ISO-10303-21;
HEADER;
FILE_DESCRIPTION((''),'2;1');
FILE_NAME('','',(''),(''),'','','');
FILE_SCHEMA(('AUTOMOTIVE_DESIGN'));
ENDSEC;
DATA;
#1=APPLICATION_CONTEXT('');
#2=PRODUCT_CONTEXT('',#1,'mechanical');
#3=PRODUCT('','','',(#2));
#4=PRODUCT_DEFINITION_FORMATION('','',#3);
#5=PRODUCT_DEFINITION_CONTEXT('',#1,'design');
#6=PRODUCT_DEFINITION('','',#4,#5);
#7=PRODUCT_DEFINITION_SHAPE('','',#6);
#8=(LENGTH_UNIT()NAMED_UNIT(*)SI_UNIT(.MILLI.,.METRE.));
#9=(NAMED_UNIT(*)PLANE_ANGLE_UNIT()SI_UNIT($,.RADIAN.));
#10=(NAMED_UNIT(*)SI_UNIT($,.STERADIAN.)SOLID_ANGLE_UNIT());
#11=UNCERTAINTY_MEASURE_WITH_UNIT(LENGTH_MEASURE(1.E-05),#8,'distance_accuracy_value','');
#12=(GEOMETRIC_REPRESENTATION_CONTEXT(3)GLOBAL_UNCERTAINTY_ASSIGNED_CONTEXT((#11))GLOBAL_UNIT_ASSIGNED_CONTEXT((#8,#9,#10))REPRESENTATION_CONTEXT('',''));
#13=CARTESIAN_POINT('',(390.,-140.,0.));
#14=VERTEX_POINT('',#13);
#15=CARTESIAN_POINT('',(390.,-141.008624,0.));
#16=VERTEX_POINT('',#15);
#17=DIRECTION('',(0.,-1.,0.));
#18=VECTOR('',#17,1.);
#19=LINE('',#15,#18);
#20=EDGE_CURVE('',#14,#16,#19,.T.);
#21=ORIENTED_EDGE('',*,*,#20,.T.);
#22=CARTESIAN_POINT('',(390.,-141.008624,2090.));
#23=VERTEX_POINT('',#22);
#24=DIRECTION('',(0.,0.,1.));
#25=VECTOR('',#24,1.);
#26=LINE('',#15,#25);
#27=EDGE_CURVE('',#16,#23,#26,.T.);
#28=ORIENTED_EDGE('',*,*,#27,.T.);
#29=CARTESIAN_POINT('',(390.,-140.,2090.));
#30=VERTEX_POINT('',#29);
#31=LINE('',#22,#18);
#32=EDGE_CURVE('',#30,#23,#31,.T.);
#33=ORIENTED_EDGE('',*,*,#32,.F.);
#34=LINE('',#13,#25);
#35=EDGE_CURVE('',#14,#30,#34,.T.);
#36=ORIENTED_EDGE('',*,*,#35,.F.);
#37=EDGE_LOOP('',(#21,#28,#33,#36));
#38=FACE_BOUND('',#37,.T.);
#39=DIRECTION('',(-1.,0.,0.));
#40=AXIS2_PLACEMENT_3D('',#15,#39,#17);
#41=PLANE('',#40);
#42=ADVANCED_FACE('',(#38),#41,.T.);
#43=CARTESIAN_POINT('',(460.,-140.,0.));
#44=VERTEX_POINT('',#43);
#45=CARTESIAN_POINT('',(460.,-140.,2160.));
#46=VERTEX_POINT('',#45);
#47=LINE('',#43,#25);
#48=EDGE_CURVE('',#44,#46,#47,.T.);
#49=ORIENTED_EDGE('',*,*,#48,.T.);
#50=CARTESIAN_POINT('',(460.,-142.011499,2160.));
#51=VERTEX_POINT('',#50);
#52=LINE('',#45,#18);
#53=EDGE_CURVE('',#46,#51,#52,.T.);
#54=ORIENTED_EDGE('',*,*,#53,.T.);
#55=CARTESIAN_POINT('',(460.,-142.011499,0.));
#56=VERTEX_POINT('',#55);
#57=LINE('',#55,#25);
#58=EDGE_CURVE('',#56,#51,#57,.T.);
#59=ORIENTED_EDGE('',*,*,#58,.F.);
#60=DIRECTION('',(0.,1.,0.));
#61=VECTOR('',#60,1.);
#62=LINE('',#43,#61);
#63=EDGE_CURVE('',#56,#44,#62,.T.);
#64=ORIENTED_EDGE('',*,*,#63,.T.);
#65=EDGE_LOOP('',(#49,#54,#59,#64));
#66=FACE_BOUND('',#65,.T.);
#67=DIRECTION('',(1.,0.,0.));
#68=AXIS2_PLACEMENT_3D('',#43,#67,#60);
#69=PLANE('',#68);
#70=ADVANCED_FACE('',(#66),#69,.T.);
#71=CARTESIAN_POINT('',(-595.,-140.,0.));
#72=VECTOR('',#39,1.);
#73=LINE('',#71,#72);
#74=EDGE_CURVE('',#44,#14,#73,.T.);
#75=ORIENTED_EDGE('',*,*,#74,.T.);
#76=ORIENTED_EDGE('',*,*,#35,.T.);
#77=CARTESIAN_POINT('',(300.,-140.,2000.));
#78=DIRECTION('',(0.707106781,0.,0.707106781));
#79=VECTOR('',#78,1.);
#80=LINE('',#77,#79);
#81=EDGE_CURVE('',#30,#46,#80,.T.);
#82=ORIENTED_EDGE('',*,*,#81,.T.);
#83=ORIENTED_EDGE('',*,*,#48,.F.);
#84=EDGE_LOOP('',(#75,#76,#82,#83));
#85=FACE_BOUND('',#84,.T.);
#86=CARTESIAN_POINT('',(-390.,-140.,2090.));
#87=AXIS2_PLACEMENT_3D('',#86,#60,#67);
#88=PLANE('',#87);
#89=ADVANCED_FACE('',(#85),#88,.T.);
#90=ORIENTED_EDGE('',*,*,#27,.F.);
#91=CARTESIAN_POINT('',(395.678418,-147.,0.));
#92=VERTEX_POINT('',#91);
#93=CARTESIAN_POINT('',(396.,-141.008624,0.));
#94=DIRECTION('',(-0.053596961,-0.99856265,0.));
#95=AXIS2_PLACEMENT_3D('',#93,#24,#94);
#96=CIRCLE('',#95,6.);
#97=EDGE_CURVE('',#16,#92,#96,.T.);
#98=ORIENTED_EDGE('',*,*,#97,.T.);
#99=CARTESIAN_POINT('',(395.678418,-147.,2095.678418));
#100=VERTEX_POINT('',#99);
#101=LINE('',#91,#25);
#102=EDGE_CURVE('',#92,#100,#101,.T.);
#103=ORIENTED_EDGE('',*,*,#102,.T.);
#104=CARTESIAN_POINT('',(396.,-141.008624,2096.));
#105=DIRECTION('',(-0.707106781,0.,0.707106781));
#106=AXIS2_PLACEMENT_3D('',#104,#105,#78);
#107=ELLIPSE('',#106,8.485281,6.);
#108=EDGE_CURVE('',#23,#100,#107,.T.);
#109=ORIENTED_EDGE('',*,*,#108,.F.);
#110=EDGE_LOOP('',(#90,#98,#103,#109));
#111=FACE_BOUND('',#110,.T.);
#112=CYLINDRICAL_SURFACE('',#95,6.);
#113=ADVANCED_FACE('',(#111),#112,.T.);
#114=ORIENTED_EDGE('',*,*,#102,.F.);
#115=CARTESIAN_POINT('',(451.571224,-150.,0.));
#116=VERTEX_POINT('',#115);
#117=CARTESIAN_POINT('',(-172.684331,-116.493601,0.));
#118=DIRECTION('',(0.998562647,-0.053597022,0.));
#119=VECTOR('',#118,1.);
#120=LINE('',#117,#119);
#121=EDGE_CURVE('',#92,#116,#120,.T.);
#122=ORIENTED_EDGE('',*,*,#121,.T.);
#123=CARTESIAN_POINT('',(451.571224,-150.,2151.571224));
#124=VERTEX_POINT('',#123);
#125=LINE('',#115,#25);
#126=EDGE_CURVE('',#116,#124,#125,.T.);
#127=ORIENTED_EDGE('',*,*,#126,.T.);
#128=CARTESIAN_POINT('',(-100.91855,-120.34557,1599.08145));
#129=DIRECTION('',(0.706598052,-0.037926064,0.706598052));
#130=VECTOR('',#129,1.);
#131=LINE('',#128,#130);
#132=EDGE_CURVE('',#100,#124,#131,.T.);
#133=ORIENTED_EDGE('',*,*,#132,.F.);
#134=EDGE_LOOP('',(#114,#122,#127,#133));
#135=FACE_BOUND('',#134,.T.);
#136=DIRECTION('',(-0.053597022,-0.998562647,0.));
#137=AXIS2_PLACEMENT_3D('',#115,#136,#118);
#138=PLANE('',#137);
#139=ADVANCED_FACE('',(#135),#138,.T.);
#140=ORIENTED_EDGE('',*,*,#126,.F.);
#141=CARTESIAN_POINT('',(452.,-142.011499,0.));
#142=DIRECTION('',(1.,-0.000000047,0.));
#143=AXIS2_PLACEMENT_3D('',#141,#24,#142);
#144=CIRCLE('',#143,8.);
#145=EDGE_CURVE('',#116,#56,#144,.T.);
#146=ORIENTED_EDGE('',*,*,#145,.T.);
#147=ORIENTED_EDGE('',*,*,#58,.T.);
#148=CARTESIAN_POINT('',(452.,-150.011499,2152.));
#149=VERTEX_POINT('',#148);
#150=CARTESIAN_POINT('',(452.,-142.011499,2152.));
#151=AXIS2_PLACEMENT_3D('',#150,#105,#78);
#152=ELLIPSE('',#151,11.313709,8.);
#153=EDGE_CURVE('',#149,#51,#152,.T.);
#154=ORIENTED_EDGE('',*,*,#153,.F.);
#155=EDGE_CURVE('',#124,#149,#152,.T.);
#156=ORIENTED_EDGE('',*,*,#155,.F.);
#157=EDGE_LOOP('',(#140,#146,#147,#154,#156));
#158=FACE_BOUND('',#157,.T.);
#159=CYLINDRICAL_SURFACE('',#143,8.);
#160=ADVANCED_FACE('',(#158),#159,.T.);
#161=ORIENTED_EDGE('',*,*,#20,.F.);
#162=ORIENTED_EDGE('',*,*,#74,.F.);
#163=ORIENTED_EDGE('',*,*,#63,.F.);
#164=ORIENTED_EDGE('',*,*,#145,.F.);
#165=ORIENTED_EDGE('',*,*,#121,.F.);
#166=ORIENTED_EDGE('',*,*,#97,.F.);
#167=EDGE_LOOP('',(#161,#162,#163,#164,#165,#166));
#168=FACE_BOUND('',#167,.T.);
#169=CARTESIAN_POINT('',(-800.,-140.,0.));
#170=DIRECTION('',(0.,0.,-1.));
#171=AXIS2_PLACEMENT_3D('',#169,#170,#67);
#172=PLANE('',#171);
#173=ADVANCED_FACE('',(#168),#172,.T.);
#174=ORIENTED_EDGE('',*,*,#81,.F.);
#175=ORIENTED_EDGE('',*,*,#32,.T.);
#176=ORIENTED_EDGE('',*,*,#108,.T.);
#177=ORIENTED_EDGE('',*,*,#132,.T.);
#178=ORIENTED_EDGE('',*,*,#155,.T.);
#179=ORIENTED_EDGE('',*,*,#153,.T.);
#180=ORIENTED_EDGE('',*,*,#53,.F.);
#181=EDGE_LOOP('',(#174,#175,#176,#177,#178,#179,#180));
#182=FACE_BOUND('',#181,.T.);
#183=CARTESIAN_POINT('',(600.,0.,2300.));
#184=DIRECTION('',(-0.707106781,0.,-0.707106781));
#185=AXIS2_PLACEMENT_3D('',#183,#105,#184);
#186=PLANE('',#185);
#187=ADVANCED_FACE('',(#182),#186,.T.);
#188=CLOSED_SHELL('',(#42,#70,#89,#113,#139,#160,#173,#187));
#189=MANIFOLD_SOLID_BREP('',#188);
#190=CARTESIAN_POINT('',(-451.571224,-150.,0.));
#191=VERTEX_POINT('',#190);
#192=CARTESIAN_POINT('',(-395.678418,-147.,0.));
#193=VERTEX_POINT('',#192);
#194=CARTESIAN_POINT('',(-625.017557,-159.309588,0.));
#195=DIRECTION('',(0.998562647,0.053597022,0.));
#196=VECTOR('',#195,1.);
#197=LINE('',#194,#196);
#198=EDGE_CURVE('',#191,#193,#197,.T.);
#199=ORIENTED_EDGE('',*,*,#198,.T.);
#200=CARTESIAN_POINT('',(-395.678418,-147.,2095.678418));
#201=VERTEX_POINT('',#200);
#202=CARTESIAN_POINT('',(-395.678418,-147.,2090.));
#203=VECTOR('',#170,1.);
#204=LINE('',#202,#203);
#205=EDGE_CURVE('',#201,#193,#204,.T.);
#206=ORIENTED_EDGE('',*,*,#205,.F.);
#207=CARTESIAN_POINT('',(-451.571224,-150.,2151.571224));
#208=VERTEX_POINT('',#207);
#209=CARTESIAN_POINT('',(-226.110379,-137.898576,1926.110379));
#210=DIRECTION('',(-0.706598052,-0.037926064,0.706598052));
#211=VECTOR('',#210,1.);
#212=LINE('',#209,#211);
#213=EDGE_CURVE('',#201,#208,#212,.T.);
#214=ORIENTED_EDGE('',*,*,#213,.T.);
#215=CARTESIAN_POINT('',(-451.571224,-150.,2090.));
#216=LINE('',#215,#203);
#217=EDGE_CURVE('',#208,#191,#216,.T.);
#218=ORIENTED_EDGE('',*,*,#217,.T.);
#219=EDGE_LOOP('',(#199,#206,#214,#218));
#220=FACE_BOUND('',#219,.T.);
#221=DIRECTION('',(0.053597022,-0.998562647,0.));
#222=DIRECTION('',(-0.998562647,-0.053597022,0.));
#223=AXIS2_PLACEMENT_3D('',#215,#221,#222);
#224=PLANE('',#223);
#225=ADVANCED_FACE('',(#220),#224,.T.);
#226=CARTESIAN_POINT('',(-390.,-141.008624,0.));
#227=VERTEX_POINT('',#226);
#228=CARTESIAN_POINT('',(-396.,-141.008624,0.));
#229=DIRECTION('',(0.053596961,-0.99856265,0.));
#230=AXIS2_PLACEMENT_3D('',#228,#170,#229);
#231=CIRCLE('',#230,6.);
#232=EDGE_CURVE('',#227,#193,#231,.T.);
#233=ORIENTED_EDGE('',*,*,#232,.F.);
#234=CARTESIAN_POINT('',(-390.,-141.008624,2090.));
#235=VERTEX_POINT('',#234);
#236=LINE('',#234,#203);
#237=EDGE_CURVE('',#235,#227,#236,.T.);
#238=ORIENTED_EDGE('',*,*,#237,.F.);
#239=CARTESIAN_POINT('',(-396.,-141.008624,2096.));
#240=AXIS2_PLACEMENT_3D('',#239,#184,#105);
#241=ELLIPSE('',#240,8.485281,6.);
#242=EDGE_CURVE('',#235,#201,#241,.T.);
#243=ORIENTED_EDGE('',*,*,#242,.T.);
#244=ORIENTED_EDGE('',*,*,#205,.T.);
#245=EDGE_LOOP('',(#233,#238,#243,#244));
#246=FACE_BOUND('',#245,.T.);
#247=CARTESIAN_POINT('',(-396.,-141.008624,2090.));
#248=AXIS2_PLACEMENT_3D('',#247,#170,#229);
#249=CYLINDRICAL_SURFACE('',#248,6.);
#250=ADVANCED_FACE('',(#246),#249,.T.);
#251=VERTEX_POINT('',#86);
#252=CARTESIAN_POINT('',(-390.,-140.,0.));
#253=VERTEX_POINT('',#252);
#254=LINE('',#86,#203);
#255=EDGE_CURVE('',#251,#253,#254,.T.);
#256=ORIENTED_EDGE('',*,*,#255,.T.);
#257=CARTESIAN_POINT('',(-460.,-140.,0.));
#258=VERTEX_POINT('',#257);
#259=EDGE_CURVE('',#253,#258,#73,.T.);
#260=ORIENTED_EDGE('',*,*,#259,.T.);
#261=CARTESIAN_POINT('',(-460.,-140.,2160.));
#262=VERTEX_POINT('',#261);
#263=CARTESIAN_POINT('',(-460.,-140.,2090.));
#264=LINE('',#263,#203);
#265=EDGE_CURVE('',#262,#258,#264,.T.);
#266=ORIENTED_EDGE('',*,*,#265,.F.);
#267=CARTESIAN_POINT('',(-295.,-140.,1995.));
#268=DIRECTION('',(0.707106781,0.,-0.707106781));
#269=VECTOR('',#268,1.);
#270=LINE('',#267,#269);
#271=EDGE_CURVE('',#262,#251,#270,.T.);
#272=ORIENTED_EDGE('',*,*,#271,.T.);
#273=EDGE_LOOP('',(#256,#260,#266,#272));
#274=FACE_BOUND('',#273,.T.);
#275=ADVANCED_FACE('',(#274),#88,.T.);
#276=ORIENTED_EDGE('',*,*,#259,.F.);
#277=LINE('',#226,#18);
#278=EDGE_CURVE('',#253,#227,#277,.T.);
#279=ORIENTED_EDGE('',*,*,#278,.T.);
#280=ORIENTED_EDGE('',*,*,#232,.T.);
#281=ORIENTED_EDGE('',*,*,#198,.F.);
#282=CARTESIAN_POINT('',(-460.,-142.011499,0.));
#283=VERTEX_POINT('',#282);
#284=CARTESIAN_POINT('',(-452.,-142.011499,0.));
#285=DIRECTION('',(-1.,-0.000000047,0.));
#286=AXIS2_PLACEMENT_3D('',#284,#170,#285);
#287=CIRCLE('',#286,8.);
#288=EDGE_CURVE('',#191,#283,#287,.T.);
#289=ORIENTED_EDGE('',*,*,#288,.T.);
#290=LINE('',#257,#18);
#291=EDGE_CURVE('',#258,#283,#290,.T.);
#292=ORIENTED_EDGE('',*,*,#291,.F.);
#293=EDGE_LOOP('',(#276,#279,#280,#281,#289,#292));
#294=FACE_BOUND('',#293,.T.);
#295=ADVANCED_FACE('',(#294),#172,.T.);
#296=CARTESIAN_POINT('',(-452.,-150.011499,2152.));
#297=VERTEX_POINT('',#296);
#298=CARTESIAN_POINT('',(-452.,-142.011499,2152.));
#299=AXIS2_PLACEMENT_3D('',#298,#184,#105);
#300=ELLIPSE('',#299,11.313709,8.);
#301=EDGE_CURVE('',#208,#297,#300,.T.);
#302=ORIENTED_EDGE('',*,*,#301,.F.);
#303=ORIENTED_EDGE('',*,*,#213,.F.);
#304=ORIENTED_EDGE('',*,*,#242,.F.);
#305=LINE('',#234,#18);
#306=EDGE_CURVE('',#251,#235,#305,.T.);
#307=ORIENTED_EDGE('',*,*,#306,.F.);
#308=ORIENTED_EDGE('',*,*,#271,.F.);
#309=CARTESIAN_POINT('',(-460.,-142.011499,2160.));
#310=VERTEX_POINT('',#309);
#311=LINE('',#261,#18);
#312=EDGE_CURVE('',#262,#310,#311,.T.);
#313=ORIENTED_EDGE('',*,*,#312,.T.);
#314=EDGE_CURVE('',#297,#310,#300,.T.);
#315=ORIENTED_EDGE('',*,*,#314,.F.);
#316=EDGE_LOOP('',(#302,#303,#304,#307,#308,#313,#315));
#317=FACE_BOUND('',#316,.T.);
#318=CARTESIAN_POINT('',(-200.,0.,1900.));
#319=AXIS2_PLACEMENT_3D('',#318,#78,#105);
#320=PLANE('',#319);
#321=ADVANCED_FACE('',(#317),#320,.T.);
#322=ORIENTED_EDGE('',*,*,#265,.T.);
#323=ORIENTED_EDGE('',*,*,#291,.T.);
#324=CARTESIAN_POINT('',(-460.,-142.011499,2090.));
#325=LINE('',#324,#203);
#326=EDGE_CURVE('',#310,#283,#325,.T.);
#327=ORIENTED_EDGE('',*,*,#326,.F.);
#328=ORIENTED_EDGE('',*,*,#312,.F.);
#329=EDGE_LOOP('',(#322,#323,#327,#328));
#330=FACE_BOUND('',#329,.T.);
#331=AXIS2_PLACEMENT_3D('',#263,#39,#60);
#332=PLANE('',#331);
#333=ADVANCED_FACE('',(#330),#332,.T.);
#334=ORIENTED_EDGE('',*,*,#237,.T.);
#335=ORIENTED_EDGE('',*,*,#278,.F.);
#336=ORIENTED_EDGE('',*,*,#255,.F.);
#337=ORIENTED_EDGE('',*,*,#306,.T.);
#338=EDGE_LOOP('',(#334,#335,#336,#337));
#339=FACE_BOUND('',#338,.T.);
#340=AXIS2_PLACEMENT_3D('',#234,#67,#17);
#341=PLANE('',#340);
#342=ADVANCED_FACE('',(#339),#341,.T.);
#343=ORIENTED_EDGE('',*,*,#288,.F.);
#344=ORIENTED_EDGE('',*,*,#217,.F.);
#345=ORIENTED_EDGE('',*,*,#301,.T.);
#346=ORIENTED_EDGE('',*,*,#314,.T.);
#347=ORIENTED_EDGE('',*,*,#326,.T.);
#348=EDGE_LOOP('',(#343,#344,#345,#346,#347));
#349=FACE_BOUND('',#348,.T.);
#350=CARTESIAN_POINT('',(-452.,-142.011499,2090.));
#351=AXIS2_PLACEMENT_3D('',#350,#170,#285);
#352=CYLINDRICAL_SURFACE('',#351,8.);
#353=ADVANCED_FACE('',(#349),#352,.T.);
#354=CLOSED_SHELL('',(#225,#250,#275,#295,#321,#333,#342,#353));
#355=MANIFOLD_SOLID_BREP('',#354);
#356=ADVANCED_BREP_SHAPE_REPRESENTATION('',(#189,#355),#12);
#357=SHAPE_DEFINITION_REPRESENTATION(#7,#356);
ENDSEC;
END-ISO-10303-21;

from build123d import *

# Parameters (mm, degrees)
EXTRUDE039434_DEPTH = 500
SKETCH224_W         = 1600
SKETCH224_H         = 400
EXTRUDE039435_DEPTH = 500


with BuildPart() as extrude039434_internal_superior:
    # Sketch223 (on Sketch) → Extrude039434 (new body, symmetric)
    with BuildSketch(Plane.XZ):
        Polygon((-600, 2300), (600, 2300), (200, 1900), (-200, 1900), align=None)
    extrude(amount=EXTRUDE039434_DEPTH, both=True)


with BuildPart() as extrude039435:
    # Sketch224 (on Sketch) → Extrude039435 (new body, symmetric)
    with BuildSketch(Plane.XZ.offset(140)):
        with Locations((0, -200)):
            Rectangle(SKETCH224_W, SKETCH224_H)
    extrude(amount=EXTRUDE039435_DEPTH, both=True)


with BuildPart() as external_trim_vertical:
    # Sweep011: sweep along a path in Sketch194
    with BuildLine(Plane.XZ.offset(140)) as sweep011_path:
        Line((-390, 2090), (-390, 0))
        Line((-390, 0), (390, 0))
        Line((390, 0), (390, 2090))
        Line((390, 2090), (-390, 2090))
    # Clone2D027 (on Sketch) → Sweep011 (sweep)
    with BuildSketch(Plane(origin=(0, -140, 0), x_dir=(0, 0, 1), z_dir=(1, 0, 0))):
        with BuildLine():
            Line((-61.571224, 10), (-5.678418, 7))
            ThreePointArc((-5.678418, 7), (-1.645147, 5.136003), (0, 1.008624))
            Line((0, 1.008624), (0, 0))
            Line((0, 0), (-70, 0))
            Line((-70, 0), (-70, 2.011499))
            ThreePointArc((-70, 2.011499), (-67.503171, 7.81797), (-61.571224, 10))
        make_face()
    sweep(path=sweep011_path.line, is_frenet=True, transition=Transition.RIGHT)

    # Cut075: cut Extrude039435
    add(extrude039435.part, mode=Mode.SUBTRACT)

    # Cut071: cut Extrude039434_Internal_superior_
    add(extrude039434_internal_superior.part, mode=Mode.SUBTRACT)


solid = external_trim_vertical.part
